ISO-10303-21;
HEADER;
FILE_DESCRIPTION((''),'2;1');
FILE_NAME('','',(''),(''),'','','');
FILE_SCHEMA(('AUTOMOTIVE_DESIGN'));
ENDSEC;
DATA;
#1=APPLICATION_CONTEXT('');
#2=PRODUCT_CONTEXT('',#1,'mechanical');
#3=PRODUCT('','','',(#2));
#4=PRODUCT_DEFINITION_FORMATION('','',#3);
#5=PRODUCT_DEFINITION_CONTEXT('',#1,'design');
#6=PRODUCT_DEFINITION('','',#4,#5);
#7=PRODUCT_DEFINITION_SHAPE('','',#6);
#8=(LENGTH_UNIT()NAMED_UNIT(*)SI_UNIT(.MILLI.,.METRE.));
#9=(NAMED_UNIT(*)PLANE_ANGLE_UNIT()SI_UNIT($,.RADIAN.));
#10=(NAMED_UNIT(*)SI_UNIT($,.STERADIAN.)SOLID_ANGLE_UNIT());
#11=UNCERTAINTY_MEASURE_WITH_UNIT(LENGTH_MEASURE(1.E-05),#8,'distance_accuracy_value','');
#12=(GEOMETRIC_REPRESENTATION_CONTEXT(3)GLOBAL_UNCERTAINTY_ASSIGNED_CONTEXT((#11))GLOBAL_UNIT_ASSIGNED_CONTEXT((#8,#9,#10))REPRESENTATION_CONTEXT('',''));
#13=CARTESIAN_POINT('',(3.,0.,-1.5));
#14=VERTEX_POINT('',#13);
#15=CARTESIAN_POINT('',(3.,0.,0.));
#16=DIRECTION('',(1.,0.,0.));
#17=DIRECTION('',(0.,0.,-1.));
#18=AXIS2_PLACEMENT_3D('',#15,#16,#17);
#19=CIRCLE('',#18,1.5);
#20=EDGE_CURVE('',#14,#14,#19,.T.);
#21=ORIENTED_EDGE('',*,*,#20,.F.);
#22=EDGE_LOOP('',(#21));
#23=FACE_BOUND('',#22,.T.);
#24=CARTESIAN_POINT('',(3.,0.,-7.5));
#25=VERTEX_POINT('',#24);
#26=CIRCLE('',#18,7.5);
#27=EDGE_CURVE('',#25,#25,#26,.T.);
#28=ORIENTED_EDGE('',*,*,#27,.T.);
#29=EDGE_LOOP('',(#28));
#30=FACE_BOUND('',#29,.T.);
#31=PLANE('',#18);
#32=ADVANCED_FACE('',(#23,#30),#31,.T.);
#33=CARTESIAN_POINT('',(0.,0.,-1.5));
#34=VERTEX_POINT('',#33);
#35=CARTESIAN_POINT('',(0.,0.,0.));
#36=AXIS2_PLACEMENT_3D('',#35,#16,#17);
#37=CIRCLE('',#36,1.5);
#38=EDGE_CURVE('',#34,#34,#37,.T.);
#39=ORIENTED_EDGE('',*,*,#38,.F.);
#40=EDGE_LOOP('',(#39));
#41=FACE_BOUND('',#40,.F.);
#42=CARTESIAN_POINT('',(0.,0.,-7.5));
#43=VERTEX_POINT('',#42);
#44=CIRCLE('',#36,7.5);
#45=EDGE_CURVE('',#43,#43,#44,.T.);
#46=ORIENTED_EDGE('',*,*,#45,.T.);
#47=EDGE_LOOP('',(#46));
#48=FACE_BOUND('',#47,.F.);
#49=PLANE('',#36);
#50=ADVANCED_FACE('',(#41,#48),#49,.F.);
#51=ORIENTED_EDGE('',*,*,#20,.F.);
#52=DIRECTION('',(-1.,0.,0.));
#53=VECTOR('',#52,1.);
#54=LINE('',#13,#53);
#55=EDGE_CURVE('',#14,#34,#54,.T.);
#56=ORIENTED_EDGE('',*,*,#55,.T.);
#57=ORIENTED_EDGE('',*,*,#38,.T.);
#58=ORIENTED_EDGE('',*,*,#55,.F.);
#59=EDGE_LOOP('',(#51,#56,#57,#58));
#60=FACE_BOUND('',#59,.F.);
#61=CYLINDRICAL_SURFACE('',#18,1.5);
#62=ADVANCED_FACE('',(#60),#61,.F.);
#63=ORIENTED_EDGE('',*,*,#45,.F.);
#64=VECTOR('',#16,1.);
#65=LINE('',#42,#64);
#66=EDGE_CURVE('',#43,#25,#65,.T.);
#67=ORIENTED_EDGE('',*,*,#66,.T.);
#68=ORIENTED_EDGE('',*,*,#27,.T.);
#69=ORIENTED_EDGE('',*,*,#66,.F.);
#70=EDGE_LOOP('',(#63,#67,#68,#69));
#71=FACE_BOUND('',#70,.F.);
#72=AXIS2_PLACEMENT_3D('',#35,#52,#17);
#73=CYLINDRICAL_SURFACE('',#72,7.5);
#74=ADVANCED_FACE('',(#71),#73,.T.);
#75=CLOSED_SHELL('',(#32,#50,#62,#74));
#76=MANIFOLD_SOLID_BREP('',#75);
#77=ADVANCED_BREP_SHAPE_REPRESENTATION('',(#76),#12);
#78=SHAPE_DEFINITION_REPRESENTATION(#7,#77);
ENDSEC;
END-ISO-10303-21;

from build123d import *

# Parameters (mm, degrees)
SKETCH1_R           = 7.5
BOSS_EXTRUDE1_DEPTH = 3
SKETCH2_R           = 1.5
CUT_EXTRUDE1_DEPTH  = 4


with BuildPart() as part:
    # Sketch1 → Boss-Extrude1 (new body)
    with BuildSketch(Plane(origin=(0, 0, 0), x_dir=(0, 0, -1), z_dir=(1, 0, 0))):
        Circle(SKETCH1_R)
    extrude(amount=BOSS_EXTRUDE1_DEPTH)

    # Sketch2 → Cut-Extrude1 (cut, through all)
    with BuildSketch(Plane(origin=(3, 0, 0), x_dir=(0, 0, -1), z_dir=(1, 0, 0))):
        Circle(SKETCH2_R)
    extrude(amount=-CUT_EXTRUDE1_DEPTH, mode=Mode.SUBTRACT)


solid = part.part
